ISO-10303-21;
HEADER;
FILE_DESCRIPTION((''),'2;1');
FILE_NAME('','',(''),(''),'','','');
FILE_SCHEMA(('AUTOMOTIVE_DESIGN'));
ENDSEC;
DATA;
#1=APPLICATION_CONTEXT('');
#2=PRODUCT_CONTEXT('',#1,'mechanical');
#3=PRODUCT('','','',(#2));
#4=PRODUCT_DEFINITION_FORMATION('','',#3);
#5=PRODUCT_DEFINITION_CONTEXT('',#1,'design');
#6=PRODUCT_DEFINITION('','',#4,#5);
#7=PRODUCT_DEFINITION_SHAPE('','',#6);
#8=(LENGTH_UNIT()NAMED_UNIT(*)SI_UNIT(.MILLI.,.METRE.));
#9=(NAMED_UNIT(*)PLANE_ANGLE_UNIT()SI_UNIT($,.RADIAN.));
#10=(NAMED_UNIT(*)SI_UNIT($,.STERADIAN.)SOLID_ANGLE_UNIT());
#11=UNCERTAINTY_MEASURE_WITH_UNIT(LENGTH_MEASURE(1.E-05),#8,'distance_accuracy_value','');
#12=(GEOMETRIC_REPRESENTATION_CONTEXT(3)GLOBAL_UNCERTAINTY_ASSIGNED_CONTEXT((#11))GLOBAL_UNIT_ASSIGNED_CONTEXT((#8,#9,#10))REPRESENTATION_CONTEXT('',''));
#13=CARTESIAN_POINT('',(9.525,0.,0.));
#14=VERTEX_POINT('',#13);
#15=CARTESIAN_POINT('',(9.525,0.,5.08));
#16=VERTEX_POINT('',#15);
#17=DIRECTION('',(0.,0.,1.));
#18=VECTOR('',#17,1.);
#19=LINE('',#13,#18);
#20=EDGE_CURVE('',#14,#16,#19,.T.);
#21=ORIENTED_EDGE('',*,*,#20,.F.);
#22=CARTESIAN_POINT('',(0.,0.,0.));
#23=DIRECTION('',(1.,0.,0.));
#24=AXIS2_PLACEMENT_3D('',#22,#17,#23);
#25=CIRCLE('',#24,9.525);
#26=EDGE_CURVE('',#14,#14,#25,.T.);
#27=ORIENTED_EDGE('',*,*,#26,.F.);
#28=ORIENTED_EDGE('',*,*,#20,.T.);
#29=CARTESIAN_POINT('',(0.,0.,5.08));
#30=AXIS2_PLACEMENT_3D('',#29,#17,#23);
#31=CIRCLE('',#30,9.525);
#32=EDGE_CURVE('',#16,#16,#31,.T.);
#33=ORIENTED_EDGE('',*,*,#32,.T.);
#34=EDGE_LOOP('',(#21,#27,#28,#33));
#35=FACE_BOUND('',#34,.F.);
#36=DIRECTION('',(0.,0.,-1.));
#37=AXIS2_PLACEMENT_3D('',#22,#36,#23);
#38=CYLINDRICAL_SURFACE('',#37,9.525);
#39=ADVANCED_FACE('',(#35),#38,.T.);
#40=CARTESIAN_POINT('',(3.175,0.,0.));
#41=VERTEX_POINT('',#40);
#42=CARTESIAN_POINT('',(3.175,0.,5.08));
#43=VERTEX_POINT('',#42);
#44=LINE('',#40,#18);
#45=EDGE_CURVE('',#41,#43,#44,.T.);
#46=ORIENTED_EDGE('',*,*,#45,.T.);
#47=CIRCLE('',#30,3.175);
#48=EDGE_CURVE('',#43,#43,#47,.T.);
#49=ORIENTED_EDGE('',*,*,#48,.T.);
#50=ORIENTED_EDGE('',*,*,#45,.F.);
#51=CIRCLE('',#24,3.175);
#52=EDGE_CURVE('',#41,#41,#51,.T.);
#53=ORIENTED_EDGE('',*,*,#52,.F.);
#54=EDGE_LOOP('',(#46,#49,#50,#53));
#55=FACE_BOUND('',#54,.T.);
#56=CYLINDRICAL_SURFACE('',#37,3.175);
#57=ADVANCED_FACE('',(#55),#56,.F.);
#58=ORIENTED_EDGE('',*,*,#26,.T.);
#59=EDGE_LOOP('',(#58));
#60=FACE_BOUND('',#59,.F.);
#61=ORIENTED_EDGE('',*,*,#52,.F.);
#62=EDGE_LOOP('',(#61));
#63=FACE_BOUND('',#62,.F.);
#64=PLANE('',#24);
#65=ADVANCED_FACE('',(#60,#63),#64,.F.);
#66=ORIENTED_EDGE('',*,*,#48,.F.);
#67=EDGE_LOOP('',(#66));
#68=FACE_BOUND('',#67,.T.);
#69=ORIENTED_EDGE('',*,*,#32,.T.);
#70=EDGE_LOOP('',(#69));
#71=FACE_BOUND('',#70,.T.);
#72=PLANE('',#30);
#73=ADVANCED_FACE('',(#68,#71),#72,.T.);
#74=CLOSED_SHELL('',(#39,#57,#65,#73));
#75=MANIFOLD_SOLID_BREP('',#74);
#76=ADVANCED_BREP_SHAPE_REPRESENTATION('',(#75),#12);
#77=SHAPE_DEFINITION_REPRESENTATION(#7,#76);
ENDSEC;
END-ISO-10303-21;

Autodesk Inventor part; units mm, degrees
ref_plane "YZ Plane" through (0, 0, 0) normal (1, 0, 0) x (0, 1, 0)
ref_plane "XZ Plane" through (0, 0, 0) normal (0, 1, 0) x (-1, 0, 0)
ref_plane "XY Plane" through (0, 0, 0) normal (0, 0, 1) x (1, 0, 0)
sketch "Sketch1" plane through (0, 0, 0) normal (0, 0, 1) x (1, 0, 0)
  circle A0 centre (0, 0) radius 3.175
  circle A1 centre (0, 0) radius 9.525
  dimension "d0" = 6.35
  dimension "d1" = 19.05
extrude "Extrusion1" add sketch "Sketch1" along normal blind 5.08
properties part number "Spacer .25D .2H"
